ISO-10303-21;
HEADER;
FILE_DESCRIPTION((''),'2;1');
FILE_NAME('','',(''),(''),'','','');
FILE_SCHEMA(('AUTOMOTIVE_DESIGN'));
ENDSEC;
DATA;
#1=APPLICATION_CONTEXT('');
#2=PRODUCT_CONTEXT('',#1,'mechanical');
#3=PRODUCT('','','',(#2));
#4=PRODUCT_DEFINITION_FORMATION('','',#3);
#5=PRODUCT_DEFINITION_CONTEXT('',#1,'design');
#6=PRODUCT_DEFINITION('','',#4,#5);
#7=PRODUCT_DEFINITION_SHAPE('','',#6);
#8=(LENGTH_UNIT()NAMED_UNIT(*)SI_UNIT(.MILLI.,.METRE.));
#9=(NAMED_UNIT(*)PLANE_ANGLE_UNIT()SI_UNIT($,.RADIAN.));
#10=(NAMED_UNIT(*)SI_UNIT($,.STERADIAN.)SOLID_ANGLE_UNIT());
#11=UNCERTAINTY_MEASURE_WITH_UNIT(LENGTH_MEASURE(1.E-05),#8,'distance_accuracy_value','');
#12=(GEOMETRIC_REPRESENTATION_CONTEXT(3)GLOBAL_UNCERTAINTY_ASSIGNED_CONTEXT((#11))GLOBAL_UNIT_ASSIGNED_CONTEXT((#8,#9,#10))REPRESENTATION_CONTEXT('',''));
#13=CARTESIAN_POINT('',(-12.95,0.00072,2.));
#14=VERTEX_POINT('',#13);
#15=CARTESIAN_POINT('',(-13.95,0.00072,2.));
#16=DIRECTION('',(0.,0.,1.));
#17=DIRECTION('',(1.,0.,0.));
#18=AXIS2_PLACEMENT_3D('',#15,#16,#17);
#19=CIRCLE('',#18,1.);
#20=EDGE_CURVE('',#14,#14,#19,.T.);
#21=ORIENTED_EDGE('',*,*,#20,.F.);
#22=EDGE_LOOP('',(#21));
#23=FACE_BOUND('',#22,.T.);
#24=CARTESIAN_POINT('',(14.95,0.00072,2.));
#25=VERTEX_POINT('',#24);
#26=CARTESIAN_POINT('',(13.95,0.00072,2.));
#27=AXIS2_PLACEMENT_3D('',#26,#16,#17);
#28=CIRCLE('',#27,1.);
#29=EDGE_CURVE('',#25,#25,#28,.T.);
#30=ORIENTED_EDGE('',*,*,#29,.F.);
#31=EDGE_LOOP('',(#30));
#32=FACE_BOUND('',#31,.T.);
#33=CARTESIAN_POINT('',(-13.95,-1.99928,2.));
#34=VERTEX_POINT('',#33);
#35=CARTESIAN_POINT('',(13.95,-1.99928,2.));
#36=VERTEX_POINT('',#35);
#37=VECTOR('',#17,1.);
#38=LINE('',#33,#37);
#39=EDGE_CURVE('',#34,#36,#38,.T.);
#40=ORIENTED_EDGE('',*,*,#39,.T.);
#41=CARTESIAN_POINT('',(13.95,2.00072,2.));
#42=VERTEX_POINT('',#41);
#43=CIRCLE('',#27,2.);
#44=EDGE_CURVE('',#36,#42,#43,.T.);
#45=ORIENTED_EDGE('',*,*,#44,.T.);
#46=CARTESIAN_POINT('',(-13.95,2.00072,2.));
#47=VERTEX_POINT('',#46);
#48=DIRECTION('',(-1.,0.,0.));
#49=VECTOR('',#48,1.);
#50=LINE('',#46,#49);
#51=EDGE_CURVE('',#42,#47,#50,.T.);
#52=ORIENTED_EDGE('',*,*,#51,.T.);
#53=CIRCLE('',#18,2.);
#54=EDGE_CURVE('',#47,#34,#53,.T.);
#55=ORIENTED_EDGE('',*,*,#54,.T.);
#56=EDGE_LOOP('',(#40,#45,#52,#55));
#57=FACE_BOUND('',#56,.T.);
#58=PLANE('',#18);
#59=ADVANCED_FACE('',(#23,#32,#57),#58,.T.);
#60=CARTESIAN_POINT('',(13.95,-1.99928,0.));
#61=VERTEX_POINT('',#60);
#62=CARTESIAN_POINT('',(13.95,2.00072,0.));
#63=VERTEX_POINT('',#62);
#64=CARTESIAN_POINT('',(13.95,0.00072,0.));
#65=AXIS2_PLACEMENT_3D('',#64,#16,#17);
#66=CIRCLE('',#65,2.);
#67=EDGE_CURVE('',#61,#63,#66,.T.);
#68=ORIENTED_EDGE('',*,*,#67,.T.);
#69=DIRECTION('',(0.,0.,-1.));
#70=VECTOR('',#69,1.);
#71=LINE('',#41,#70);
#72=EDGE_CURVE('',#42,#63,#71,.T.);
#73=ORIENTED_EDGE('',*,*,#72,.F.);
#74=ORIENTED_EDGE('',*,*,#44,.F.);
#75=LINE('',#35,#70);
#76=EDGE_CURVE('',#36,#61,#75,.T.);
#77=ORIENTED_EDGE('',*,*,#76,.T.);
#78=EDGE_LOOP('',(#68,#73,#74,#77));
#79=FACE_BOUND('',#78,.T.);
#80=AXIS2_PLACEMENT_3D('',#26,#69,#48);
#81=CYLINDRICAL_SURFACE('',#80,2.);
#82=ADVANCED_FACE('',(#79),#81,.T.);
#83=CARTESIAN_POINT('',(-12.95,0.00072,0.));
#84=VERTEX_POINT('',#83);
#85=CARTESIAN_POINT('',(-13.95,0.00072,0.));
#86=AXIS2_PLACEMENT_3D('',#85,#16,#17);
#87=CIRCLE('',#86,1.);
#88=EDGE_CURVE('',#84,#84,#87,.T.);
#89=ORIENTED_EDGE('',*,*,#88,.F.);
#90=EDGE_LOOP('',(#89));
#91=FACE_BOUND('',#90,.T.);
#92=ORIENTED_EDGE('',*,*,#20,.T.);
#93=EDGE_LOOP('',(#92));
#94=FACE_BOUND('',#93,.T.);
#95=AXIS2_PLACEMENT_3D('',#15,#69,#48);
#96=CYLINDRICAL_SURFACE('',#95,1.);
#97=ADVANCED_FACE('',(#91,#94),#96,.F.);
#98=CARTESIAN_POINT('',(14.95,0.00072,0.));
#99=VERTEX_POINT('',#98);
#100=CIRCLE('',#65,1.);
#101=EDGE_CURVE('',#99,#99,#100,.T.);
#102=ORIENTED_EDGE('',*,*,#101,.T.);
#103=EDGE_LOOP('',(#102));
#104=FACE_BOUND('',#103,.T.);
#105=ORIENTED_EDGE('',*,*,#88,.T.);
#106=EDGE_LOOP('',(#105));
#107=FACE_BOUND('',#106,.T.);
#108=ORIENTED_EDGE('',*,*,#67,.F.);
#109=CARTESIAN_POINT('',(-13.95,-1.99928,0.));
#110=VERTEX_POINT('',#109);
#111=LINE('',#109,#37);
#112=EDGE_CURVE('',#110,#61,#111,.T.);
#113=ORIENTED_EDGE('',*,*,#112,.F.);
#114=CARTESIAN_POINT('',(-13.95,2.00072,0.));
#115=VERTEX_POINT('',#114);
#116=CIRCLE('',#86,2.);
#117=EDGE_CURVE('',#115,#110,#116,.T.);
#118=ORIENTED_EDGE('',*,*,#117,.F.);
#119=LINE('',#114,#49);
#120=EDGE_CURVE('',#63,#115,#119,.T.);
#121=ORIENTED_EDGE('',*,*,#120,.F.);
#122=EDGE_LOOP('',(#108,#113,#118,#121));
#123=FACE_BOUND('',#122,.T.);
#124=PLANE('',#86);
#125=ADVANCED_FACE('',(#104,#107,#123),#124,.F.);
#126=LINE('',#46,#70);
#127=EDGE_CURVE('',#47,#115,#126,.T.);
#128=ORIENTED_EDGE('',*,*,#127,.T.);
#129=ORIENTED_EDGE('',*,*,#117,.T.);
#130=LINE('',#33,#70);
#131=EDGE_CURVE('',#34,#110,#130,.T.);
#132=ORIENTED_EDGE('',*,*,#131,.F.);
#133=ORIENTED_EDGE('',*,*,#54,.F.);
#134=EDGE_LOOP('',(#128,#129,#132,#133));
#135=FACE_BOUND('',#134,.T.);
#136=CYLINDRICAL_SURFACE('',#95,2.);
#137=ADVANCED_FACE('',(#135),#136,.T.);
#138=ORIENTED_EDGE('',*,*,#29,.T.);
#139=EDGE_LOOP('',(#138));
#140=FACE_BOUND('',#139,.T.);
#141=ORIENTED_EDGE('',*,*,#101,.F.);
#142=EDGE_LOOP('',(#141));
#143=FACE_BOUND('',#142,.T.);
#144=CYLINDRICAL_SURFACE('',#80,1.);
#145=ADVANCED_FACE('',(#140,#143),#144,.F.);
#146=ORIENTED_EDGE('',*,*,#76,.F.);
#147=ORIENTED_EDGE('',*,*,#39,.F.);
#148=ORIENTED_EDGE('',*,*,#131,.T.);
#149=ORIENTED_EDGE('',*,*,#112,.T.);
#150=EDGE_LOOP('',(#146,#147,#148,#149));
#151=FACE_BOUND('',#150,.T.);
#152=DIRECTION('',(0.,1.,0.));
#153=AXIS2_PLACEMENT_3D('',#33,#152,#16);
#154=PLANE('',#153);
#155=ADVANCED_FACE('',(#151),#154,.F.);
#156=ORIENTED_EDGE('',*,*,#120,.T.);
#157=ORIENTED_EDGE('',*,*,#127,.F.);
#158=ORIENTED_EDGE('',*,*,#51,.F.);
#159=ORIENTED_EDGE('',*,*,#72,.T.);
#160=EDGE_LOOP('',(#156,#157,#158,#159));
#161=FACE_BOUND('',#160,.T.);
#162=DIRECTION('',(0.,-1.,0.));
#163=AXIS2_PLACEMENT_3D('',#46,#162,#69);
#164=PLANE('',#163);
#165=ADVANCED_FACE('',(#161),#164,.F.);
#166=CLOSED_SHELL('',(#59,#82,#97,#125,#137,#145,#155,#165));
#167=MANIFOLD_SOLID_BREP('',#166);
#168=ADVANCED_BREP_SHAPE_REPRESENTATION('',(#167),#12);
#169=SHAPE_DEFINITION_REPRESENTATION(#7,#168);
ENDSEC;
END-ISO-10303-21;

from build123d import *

# Parameters (mm, degrees)
SKETCH_1_R      = 1
EXTRUDE_1_DEPTH = 2


with BuildPart() as part:
    # 草圖1 → 填料-伸長1 (new body)
    with BuildSketch(Plane.XY):
        with BuildLine():
            Line((-13.949999981, 2.000719785), (13.950000019, 2.000719785))
            ThreePointArc((13.950000019, 2.000719785), (15.950000019, 0.000719785), (13.950000019, -1.999280215))
            Line((13.950000019, -1.999280215), (-13.949999981, -1.999280215))
            ThreePointArc((-13.949999981, -1.999280215), (-15.949999981, 0.000719785), (-13.949999981, 2.000719785))
        make_face()
        with Locations((-13.949999981, 0.000719785)):
            Circle(SKETCH_1_R, mode=Mode.SUBTRACT)
        with Locations((13.950000019, 0.000719785)):
            Circle(SKETCH_1_R, mode=Mode.SUBTRACT)
    extrude(amount=EXTRUDE_1_DEPTH)


solid = part.part
